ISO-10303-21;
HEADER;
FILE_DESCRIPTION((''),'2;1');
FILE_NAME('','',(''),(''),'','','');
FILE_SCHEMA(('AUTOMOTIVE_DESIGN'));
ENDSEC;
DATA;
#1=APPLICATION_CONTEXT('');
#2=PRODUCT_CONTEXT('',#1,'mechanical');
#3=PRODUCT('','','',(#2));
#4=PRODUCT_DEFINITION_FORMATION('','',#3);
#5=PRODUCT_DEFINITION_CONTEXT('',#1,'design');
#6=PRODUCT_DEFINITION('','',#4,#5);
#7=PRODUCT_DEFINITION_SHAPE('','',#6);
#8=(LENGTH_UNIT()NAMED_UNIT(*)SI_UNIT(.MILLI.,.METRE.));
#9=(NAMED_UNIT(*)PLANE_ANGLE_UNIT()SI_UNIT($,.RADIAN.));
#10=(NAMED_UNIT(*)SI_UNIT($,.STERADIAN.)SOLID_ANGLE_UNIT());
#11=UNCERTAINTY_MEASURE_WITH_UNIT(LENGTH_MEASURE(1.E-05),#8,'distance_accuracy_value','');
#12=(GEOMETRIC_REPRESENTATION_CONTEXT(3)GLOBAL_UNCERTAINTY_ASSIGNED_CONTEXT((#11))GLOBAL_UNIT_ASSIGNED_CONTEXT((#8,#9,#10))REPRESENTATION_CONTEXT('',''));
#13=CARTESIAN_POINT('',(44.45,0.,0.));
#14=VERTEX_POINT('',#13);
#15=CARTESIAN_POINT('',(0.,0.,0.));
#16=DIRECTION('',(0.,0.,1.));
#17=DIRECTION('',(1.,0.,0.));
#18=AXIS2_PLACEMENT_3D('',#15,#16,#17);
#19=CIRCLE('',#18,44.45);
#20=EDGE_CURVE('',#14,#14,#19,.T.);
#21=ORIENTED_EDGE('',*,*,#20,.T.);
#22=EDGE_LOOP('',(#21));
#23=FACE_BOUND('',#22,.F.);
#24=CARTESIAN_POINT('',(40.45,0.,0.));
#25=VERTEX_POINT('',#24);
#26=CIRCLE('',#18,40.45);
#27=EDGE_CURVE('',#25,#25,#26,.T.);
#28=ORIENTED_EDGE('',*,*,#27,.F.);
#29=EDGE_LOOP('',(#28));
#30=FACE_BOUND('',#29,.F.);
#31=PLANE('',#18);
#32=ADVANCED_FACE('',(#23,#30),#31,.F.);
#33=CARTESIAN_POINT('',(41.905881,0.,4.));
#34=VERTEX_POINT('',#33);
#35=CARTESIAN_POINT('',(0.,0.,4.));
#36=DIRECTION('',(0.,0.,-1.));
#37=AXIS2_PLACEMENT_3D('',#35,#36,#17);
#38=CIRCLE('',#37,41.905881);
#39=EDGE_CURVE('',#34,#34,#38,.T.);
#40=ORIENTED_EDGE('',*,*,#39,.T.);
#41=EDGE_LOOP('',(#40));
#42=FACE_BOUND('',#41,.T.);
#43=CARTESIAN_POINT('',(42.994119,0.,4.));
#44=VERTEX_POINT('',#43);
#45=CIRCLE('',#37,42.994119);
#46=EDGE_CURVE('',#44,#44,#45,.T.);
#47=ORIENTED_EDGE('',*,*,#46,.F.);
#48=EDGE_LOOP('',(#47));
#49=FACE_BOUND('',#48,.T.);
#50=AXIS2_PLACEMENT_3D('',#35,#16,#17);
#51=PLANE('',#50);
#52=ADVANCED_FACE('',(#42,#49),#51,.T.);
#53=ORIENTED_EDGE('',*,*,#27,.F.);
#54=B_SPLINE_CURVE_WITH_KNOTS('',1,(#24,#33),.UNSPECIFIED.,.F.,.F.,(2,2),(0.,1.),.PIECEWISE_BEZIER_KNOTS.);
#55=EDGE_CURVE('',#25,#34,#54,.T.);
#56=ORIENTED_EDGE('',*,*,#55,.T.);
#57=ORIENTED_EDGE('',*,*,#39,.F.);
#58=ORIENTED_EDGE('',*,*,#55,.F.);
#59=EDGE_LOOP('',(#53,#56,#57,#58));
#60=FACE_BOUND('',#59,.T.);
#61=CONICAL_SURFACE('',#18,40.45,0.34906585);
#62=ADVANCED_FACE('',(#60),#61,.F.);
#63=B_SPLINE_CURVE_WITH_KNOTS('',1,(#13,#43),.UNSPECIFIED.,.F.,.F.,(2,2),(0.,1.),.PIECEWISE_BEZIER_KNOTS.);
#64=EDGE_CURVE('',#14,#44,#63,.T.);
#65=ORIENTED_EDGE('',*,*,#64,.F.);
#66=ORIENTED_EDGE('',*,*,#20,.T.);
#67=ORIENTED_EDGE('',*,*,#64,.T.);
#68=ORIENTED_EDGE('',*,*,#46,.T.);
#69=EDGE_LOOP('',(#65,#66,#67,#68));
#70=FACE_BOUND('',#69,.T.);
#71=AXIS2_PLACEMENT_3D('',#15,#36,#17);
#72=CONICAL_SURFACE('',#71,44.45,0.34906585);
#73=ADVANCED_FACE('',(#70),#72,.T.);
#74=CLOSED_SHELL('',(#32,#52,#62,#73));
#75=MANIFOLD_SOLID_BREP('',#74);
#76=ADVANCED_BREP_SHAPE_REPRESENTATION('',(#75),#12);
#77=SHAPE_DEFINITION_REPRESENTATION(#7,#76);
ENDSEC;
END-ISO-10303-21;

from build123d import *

# Parameters (mm, degrees)
F0_R     = 44.45
F0_R_2   = 40.45
F1_DEPTH = 4
F1_TAPER = 20


with BuildPart() as f1:
    # F0 (on Top) → F1 (new body)
    with BuildSketch(Plane.XY):
        Circle(F0_R)
        Circle(F0_R_2, mode=Mode.SUBTRACT)
    extrude(amount=F1_DEPTH, taper=F1_TAPER)


solid = f1.part
